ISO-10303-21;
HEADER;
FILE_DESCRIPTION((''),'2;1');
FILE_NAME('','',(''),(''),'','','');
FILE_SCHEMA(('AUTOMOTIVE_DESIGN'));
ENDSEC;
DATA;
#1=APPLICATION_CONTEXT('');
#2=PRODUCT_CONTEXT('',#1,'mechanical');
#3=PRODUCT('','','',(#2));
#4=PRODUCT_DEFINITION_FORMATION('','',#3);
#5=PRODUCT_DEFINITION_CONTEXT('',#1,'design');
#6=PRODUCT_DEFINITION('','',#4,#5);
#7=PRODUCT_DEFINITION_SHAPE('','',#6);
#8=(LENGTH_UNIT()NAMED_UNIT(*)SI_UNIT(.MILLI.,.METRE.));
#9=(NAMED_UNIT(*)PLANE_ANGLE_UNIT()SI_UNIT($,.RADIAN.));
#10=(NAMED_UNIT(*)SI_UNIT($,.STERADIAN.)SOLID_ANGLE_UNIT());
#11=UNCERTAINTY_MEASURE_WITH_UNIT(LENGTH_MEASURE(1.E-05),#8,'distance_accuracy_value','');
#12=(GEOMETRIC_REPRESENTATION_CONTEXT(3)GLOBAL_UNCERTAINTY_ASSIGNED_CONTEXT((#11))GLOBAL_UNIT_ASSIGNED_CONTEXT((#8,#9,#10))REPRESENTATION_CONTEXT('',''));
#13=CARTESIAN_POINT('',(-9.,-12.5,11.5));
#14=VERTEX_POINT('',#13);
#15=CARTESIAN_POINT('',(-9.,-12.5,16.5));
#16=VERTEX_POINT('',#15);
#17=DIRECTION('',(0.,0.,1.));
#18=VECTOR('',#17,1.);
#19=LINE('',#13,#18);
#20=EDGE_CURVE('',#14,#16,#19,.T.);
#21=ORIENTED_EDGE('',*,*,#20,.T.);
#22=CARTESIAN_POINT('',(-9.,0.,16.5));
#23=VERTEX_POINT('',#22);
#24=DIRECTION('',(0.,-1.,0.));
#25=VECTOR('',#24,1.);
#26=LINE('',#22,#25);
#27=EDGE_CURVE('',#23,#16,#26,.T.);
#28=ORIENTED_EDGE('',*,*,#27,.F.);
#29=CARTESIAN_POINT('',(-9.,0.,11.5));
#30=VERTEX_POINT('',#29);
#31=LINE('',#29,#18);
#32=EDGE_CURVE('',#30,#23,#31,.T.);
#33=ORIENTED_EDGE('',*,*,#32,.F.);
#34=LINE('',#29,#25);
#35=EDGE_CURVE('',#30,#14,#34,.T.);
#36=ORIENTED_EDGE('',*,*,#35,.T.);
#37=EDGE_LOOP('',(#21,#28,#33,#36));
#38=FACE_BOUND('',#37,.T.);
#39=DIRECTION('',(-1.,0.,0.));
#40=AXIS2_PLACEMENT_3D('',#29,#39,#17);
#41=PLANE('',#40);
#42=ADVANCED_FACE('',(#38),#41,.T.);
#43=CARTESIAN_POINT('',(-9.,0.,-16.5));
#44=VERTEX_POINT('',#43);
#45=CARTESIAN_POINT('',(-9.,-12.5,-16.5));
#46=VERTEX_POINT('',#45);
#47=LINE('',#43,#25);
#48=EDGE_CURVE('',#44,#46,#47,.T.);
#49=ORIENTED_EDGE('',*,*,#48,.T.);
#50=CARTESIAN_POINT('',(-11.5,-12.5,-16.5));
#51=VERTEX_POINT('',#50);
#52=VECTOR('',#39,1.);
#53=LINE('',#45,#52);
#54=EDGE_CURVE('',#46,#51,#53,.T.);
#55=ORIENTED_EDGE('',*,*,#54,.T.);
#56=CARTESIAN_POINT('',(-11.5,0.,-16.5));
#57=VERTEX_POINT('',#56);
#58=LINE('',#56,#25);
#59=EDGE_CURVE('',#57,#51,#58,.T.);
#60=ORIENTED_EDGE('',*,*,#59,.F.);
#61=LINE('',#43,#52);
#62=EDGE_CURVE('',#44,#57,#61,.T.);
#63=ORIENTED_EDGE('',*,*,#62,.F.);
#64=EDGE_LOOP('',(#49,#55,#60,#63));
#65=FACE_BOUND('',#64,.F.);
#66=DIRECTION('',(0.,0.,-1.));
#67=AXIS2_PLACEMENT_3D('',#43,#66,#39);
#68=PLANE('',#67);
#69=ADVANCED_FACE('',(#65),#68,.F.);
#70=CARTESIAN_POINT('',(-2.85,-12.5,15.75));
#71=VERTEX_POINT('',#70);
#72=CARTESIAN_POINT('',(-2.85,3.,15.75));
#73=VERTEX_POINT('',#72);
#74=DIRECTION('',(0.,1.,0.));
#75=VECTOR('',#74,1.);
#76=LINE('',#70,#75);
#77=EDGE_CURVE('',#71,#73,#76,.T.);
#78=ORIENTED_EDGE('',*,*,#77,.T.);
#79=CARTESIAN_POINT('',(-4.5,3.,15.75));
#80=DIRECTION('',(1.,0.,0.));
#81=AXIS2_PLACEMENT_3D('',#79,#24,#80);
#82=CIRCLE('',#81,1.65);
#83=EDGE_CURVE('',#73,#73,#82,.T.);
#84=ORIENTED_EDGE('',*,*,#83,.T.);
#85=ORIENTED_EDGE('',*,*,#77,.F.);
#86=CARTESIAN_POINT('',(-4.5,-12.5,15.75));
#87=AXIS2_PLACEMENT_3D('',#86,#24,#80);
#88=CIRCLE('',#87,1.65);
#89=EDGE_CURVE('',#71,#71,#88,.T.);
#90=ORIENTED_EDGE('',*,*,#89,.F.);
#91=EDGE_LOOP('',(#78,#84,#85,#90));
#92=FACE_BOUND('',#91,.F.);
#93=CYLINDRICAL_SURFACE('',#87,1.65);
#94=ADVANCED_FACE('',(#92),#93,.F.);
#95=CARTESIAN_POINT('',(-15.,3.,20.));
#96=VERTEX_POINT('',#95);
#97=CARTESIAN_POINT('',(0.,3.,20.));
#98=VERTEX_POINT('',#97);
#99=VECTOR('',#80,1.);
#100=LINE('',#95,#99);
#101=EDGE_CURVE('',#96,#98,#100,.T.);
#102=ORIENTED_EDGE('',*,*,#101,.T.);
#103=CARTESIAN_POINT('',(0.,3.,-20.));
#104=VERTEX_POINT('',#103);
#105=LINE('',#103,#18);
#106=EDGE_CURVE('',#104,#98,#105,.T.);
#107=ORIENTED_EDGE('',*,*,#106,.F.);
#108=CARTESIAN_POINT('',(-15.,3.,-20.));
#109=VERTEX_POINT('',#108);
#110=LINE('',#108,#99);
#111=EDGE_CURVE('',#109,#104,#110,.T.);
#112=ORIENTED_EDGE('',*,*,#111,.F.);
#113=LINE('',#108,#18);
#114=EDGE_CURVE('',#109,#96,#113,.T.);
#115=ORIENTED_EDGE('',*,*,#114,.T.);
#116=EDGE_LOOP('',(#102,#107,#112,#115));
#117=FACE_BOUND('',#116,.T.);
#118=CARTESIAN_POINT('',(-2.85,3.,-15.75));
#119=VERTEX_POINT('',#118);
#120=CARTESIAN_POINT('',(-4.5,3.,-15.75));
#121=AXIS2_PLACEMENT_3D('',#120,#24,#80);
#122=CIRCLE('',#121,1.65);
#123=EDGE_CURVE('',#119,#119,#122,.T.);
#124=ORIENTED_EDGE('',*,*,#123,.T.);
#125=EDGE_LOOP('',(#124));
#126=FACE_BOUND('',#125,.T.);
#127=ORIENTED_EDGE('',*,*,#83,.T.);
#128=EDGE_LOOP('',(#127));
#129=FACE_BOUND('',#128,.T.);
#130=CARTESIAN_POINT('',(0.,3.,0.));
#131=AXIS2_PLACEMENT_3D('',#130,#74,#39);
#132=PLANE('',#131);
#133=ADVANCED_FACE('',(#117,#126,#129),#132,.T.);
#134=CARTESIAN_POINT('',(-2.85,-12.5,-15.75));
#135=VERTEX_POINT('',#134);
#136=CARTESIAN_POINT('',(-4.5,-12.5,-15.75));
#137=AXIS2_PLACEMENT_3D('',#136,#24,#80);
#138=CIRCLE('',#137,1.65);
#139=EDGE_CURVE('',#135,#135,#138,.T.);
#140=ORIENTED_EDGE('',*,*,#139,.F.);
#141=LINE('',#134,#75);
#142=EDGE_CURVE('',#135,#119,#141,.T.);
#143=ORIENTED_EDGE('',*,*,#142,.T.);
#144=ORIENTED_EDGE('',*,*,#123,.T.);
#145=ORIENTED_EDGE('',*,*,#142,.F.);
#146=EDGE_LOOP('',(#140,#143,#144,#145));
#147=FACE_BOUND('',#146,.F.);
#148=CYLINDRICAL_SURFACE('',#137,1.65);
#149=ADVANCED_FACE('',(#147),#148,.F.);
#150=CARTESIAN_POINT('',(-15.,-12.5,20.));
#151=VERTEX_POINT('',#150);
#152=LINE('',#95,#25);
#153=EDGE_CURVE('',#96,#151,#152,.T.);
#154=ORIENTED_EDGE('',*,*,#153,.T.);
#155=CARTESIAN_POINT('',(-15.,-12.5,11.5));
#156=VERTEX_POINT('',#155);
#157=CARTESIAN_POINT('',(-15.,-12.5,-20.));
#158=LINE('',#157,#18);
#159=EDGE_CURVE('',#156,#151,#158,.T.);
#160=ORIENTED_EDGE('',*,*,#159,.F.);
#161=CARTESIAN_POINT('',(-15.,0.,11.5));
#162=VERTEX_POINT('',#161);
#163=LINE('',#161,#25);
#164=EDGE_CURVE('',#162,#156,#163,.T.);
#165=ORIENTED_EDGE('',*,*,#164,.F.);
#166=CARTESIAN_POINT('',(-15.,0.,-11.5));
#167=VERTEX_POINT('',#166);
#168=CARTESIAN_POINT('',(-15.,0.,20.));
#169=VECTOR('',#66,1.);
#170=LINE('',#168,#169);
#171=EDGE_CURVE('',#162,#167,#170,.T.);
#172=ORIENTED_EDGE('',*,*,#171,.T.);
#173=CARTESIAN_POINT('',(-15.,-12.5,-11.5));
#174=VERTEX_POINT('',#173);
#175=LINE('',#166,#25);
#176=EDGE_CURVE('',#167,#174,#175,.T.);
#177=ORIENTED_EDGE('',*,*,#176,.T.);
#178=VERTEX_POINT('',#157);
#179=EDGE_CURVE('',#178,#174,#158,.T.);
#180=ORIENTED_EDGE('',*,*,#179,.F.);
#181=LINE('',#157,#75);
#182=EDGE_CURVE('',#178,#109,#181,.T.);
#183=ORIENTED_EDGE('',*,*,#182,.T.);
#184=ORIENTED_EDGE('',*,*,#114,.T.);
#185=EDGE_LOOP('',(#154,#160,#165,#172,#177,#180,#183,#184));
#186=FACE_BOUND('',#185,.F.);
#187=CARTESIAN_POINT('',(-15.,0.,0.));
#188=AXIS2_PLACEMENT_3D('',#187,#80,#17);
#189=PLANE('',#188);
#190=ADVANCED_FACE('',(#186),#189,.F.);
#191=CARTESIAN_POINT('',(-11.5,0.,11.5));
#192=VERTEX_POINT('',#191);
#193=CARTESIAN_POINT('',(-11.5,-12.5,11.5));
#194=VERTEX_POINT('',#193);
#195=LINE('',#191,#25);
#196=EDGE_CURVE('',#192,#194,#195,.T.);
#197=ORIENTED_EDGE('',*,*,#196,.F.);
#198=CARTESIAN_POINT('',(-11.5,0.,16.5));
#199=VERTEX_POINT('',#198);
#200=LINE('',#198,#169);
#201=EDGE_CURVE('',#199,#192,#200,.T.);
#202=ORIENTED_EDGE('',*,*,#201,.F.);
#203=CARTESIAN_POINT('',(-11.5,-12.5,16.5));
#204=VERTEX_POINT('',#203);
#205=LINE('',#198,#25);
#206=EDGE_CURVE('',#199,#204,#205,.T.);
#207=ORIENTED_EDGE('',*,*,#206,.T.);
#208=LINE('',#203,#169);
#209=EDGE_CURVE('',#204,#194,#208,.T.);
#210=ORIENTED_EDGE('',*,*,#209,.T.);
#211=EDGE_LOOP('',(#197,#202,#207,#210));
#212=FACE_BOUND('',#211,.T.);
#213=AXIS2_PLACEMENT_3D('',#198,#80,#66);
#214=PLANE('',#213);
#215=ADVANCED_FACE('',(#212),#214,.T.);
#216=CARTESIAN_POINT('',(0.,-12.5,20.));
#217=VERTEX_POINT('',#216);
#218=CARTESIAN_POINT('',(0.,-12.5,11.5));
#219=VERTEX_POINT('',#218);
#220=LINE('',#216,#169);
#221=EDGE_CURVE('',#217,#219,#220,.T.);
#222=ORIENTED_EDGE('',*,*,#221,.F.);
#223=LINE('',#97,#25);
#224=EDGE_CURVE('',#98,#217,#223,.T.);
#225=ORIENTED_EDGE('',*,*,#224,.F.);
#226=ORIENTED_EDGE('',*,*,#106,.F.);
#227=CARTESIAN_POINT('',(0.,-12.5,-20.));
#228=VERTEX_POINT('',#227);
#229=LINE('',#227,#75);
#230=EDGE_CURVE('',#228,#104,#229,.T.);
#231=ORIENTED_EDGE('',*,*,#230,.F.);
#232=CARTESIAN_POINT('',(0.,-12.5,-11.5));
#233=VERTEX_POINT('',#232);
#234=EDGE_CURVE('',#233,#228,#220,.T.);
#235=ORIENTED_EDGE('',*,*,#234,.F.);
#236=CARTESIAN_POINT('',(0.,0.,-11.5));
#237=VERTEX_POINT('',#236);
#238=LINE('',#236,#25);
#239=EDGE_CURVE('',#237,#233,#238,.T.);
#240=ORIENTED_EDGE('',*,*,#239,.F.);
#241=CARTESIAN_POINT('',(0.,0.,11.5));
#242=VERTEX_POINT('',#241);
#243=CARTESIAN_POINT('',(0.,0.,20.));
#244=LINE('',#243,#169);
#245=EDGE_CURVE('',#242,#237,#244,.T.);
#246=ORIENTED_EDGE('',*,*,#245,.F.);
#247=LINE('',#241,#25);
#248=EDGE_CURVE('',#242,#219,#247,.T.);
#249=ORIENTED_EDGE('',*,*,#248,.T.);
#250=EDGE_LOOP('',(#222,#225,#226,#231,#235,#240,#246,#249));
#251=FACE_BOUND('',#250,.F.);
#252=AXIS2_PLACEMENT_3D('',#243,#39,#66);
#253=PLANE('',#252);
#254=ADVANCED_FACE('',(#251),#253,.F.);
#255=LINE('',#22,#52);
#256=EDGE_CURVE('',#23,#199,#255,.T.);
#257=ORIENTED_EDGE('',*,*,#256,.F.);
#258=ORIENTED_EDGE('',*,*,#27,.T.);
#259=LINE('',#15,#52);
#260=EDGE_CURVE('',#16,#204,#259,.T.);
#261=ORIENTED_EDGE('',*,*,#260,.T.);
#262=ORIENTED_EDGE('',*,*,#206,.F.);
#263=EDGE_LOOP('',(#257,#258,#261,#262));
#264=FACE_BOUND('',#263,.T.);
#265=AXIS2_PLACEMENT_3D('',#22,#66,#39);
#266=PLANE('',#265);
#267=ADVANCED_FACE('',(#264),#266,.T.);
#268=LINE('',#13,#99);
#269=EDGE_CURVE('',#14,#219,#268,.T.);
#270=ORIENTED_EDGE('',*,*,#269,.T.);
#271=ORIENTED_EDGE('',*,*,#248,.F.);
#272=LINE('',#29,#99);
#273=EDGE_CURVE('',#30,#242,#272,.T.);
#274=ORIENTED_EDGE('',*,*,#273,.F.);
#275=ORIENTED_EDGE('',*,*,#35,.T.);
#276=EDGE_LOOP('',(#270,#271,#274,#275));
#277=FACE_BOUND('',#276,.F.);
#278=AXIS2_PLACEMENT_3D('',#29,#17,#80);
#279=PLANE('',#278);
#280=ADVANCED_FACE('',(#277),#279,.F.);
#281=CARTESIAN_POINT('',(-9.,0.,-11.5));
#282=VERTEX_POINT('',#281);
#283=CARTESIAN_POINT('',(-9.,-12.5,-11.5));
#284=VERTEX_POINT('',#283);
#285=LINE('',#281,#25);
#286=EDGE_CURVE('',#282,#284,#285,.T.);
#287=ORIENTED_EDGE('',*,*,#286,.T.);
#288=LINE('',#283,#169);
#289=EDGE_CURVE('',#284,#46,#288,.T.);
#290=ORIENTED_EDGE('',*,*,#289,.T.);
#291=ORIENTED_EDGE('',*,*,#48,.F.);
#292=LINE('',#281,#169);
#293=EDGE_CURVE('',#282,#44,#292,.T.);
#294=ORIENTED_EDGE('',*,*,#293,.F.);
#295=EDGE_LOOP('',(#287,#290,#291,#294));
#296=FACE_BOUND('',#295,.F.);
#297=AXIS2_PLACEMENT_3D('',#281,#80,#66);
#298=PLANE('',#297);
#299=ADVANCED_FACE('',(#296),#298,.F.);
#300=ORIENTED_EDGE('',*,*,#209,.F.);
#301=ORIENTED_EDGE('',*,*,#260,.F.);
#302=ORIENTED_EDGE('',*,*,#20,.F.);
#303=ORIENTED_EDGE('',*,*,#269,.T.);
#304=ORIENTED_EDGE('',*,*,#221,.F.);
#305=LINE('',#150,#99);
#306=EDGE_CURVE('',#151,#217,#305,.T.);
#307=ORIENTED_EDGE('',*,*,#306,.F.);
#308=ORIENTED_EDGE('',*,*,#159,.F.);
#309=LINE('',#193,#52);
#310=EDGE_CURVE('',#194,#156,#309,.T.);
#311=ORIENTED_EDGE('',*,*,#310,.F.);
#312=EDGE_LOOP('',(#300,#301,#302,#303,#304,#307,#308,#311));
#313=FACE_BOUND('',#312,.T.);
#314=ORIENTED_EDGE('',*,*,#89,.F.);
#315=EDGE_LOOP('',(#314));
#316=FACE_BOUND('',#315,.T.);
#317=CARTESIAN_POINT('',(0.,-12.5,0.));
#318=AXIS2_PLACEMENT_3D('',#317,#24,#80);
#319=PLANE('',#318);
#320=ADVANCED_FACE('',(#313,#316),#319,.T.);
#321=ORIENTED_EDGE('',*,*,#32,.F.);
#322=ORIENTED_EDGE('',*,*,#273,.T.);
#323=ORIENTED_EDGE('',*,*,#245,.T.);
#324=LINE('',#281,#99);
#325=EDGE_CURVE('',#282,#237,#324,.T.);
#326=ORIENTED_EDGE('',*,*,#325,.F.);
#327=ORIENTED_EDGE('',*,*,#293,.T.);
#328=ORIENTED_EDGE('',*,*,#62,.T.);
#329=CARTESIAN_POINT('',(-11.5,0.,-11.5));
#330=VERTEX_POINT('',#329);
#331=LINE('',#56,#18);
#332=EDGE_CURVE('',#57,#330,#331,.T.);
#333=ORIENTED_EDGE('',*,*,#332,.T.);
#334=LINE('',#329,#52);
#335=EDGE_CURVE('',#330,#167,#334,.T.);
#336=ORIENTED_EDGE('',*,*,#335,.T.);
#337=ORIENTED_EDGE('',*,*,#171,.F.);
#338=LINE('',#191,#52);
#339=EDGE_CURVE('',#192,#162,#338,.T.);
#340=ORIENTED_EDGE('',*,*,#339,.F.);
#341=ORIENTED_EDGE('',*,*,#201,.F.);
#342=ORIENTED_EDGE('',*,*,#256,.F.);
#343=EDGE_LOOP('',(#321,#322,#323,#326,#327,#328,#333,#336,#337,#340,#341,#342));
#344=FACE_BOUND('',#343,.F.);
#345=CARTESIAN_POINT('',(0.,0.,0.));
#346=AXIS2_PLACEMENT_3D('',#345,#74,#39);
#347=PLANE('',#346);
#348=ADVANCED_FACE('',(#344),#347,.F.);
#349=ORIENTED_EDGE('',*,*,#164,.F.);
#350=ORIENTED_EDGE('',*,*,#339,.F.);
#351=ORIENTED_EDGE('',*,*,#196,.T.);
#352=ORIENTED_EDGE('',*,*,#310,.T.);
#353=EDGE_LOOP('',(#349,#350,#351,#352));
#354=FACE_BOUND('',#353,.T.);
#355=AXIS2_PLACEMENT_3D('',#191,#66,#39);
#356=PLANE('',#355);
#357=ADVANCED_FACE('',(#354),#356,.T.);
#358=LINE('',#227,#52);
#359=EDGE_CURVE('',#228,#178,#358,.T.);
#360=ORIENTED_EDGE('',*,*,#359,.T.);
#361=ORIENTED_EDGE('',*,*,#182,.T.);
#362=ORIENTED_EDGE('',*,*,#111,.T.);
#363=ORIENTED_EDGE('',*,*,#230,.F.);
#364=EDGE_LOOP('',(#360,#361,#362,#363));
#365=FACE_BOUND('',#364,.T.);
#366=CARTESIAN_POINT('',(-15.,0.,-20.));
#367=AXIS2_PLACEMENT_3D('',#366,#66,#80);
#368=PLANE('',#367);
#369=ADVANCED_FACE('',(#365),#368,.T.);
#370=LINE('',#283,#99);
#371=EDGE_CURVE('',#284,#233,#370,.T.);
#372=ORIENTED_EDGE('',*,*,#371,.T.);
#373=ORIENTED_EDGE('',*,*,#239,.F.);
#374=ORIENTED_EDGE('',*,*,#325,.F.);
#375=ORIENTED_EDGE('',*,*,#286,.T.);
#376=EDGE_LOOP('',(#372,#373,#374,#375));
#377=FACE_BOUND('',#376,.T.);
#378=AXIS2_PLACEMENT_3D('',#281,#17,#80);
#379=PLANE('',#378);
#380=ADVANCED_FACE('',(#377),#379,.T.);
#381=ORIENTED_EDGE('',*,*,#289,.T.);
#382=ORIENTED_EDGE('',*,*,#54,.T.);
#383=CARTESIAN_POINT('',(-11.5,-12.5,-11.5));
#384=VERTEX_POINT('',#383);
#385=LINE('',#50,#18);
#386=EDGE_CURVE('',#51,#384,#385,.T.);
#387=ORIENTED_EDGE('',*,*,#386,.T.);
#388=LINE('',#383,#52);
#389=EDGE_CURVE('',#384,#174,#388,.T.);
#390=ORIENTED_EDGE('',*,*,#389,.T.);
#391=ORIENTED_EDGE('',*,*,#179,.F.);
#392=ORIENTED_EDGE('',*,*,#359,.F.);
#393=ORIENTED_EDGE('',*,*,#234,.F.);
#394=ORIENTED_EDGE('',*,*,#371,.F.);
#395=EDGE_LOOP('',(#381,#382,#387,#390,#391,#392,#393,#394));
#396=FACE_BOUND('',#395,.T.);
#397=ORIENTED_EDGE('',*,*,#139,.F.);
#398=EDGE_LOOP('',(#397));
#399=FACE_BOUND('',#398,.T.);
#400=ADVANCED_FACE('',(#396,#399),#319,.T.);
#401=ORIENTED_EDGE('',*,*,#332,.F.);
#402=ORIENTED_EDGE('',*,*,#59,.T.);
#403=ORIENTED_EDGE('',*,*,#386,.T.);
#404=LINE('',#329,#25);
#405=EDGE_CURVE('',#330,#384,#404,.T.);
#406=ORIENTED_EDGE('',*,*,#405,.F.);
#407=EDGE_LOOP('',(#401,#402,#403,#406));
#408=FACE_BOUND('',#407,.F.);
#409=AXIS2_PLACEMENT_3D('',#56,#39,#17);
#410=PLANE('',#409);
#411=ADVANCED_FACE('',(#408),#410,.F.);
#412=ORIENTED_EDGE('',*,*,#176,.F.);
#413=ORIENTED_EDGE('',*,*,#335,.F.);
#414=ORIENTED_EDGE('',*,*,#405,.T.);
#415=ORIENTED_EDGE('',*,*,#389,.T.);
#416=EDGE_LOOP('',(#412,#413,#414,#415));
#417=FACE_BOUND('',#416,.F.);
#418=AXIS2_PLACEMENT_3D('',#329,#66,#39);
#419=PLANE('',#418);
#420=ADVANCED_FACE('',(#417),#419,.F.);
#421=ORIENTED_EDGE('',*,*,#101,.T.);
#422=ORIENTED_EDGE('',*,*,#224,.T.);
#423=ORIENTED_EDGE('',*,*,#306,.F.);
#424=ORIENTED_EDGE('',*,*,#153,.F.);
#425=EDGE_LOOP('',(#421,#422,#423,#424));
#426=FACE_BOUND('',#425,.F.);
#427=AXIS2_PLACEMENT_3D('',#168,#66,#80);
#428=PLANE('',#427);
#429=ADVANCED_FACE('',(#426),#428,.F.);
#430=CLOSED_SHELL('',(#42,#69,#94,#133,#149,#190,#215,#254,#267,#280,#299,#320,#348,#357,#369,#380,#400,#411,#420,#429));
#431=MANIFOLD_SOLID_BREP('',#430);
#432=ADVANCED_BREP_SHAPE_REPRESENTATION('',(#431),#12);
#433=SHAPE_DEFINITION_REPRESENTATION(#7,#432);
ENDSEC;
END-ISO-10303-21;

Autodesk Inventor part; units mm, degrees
ref_plane "YZ Plane" through (0, 0, 0) normal (1, 0, 0) x (0, 1, 0)
ref_plane "XZ Plane" through (0, 0, 0) normal (0, 1, 0) x (-1, 0, 0)
ref_plane "XY Plane" through (0, 0, 0) normal (0, 0, 1) x (1, 0, 0)
sketch "Эскиз1" plane through (0, 0, 0) normal (0, 1, 0) x (-1, 0, 0)
  line L0 (0, 0) -> (-10.5018, 0)
  line L1 (0, 0) -> (15, 0)
  line L2 (15, 0) -> (15, -20)
  line L3 (15, -20) -> (0, -20)
  line L4 (0, -20) -> (0, 0)
  line L5 (15, 0) -> (15, 20)
  line L6 (15, 20) -> (0, 20)
  line L7 (0, 20) -> (0, 0)
  dimension "d5" = 15
  dimension "d6" = 20
extrude "Выдавливание1" add sketch "Эскиз1" along normal blind 3
sketch "Эскиз3" plane through (0, 0, 0) normal (0, -1, 0) x (1, 0, 0)
  line L0 (-15, 20) -> (0, 20) projected
  line L1 (-9, 16.5) -> (-11.5, 16.5)
  line L2 (-11.5, 16.5) -> (-11.5, 11.5)
  line L3 (-9, 11.5) -> (-9, 16.5)
  line L4 (0, 0) -> (-5.7861, 0)
  line L5 (-9, -16.5) -> (-11.5, -16.5)
  line L6 (-11.5, -16.5) -> (-11.5, -11.5)
  line L7 (-9, -11.5) -> (-9, -16.5)
  line L8 (-9, -11.5) -> (0, -11.5)
  line L9 (0, 20) -> (0, -20) projected
  line L10 (0, -20) -> (-15, -20) projected
  line L11 (0, -20) -> (-15, -20)
  line L12 (-15, -20) -> (-15, -11.5)
  line L13 (-15, -20) -> (-15, 20) projected
  line L14 (-11.5, -11.5) -> (-15, -11.5)
  line L15 (0, -11.5) -> (0, -20)
  line L16 (-11.5, 16.5) -> (-11.5, 11.5)
  line L17 (-9, 11.5) -> (-9, 16.5)
  line L18 (-9, 16.5) -> (-11.5, 16.5)
  line L19 (-9, 11.5) -> (0, 11.5)
  line L20 (0, 20) -> (-15, 20)
  line L21 (0, 20) -> (-15, 20)
  line L22 (-15, 20) -> (-15, 11.5)
  line L23 (-11.5, 11.5) -> (-15, 11.5)
  line L24 (0, 11.5) -> (0, 20)
  point P0 (-15, 11.5)
extrude "Выдавливание2" add sketch "Эскиз3" along normal blind 12.5 contours L0 L9 L19 L3 L1 L2 L23 L13 | L14 L6 L5 L7 L8 L9 L10 L12
sketch "Эскиз4" plane through (0, -12.5, 0) normal (0, -1, 0) x (1, 0, 0)
  line L0 (-15, 20) -> (0, 20) projected
  line L1 (0, 20) -> (-4.5, 20)
  circle A0 centre (-4.5, 15.75) radius 1.65
  line L2 (0, 0) -> (-4.5, 0)
  circle A1 centre (-4.5, -15.75) radius 1.65
  dimension "d18" = 3.3
extrude "Выдавливание3" cut sketch "Эскиз4" against normal through all
sketch "Эскиз5" plane through (-11.5, 0, -11.5) normal (1, 0, 0) x (0, 0, -1)
  line L0 (0, -12.5) -> (8.5, -12.5) projected
  line L1 (4.25, -12.5) -> (4.25, -6)
  line L2 (0, -6) -> (3.191, -6)
  circle A0 centre (3.191, -6) radius 1.1
  line L3 (-11.5, 0) -> (-11.5, -8.8463)
  circle A1 centre (-26.191, -6) radius 1.1
  dimension "d20" = 3.191
  dimension "d21" = 2.2
properties part number "держалка_серво_бровь_нижняя"
